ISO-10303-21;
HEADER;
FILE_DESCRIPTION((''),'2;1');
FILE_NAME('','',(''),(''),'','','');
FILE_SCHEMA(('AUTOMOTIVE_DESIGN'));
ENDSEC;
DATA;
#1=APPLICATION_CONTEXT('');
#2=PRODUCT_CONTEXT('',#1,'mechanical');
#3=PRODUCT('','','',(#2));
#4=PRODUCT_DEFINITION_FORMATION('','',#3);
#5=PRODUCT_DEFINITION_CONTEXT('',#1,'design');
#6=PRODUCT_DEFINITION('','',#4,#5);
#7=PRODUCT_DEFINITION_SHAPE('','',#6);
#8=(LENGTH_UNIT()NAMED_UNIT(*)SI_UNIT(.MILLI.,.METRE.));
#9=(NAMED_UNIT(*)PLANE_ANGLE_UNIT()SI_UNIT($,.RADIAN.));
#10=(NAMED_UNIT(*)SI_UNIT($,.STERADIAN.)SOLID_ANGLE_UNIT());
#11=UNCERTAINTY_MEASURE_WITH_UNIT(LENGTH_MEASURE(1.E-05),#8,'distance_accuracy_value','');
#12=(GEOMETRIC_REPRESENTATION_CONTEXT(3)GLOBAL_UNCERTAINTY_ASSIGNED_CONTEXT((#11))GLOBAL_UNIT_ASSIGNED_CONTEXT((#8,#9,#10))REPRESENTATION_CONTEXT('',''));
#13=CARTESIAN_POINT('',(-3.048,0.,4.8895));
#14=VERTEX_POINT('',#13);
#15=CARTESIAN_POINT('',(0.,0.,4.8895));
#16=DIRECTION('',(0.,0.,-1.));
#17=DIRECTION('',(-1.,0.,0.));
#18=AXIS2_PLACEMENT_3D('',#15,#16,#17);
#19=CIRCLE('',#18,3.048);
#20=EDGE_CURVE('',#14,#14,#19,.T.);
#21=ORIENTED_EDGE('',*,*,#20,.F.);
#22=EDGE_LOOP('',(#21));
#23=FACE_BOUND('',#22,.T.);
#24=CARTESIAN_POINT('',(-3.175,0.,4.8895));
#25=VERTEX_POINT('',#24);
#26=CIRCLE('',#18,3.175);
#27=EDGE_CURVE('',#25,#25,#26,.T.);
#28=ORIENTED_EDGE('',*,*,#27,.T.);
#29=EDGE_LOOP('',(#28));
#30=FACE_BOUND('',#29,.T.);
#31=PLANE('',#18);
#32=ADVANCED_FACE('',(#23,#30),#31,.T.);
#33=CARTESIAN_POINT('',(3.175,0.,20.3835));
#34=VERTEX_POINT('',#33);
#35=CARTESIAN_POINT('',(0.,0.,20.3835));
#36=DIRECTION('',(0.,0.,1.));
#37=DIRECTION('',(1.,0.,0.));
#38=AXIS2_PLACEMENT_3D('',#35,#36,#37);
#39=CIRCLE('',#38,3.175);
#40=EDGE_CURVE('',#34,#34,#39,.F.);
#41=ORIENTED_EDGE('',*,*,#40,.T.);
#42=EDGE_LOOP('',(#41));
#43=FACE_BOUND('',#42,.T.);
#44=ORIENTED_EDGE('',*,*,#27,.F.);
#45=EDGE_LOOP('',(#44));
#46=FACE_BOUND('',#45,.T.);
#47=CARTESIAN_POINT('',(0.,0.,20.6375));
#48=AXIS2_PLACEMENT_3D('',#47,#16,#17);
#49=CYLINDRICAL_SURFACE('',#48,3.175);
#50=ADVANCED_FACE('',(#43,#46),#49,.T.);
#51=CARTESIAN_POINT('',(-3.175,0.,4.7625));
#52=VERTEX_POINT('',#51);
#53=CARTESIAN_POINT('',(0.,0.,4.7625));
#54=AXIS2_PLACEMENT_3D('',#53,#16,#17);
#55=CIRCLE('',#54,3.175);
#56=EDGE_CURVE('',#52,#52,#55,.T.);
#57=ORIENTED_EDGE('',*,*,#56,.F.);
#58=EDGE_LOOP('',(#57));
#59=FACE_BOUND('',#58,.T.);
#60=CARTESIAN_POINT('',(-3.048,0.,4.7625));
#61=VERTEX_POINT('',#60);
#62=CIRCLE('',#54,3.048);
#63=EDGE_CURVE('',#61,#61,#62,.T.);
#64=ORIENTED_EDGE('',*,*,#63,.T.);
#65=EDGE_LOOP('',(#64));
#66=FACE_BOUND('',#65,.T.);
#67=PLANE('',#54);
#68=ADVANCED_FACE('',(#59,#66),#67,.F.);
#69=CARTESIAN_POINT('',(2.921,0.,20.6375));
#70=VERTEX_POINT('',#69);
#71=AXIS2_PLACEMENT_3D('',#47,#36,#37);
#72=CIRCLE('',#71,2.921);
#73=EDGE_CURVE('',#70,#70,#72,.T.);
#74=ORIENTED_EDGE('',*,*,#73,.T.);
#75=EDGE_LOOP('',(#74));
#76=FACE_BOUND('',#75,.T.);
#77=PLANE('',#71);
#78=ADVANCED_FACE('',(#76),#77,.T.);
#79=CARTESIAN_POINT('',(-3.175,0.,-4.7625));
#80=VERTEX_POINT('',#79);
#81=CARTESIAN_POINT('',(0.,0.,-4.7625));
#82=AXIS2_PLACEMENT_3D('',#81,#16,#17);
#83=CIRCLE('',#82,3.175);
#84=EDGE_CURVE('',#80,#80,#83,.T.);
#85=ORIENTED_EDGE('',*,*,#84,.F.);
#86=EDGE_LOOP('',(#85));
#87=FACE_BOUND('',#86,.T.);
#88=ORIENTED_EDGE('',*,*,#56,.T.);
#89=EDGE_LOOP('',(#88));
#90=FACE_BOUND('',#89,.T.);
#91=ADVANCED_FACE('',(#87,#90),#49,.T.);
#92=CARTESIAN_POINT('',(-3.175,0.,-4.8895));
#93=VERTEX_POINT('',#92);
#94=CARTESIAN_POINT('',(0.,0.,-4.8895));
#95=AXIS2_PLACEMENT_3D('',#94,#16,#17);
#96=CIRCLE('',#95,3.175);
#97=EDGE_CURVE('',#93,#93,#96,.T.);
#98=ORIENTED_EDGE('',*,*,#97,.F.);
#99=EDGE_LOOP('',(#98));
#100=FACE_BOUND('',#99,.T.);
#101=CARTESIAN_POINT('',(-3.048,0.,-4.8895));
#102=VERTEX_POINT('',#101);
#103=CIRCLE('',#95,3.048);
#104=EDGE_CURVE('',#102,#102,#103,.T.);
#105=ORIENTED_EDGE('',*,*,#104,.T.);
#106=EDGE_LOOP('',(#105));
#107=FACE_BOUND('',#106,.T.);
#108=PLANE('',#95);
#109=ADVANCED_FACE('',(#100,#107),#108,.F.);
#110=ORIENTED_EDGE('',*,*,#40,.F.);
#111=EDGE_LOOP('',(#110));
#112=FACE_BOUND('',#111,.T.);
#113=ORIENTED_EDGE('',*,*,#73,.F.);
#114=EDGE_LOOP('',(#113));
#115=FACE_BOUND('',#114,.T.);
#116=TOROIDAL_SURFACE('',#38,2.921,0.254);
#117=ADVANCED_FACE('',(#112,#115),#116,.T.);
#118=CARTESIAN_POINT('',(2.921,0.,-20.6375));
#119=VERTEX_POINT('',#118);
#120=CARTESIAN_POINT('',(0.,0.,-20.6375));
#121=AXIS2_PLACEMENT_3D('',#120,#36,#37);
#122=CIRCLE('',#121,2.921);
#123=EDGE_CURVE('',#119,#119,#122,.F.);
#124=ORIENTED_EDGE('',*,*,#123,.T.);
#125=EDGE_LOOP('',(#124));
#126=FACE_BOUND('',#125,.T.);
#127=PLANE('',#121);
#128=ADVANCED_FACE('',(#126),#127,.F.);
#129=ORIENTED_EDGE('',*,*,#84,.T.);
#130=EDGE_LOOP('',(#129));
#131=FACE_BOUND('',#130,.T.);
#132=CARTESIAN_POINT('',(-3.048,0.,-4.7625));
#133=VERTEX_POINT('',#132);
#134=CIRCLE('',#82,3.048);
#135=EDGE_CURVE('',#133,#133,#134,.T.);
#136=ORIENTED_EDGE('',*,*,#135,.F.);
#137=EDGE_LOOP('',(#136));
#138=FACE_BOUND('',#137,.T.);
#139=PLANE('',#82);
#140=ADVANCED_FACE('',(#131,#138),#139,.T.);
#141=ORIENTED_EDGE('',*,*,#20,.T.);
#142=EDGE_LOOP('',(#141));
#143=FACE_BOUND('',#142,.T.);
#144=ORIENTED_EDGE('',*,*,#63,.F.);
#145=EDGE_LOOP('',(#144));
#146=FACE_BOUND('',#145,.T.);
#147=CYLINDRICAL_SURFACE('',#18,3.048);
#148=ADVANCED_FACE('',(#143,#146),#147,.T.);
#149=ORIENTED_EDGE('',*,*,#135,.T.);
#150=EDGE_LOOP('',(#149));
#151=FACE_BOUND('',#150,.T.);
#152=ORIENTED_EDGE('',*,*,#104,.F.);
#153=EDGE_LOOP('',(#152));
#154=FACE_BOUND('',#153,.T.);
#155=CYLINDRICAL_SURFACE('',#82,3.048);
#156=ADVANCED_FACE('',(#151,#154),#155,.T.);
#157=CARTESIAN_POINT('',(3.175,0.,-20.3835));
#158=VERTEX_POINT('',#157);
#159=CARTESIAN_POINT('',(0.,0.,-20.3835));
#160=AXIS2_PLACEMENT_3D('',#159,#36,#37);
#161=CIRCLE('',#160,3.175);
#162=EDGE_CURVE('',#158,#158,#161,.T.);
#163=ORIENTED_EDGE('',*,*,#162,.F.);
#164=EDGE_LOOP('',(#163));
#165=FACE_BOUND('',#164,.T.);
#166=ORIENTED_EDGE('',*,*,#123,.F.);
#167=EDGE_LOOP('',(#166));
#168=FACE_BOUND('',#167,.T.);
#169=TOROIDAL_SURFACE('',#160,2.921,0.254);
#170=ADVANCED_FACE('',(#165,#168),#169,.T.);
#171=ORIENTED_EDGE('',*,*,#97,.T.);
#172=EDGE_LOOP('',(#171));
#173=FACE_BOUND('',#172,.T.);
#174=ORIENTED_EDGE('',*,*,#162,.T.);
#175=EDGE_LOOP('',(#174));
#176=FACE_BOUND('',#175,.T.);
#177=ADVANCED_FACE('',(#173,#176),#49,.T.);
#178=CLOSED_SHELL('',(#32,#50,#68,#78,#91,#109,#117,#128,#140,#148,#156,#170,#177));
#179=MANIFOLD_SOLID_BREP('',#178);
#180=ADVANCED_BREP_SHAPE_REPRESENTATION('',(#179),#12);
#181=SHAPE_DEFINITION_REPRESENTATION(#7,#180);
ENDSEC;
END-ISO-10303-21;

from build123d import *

# Parameters (mm, degrees)
SKETCH1_R           = 3.175
BOSS_EXTRUDE1_DEPTH = 20.6375
CUT_EXTRUDE1_START  = -0.127
SKETCH6_R           = 3.175
SKETCH6_R_2         = 3.048
CUT_EXTRUDE1_DEPTH  = 0.127
CUT_EXTRUDE2_START  = -0.127
SKETCH7_R           = 3.175
SKETCH7_R_2         = 3.048
CUT_EXTRUDE2_DEPTH  = 0.127
FILLET1_R           = 0.254


with BuildPart() as part:
    # Sketch1 → Boss-Extrude1 (new, symmetric)
    with BuildSketch(Plane.XY):
        Circle(SKETCH1_R)
    extrude(amount=BOSS_EXTRUDE1_DEPTH, both=True)

    # Sketch6 → Cut-Extrude1 (cut)
    with BuildSketch(Plane(origin=(0, 0, -4.8895), x_dir=(-1, 0, 0), z_dir=(0, 0, -1)).offset(CUT_EXTRUDE1_START)):
        Circle(SKETCH6_R)
        Circle(SKETCH6_R_2, mode=Mode.SUBTRACT)
    extrude(amount=CUT_EXTRUDE1_DEPTH, mode=Mode.SUBTRACT)

    # Sketch7 → Cut-Extrude2 (cut)
    with BuildSketch(Plane(origin=(0, 0, 4.7625), x_dir=(-1, 0, 0), z_dir=(0, 0, -1)).offset(CUT_EXTRUDE2_START)):
        Circle(SKETCH7_R)
        Circle(SKETCH7_R_2, mode=Mode.SUBTRACT)
    extrude(amount=CUT_EXTRUDE2_DEPTH, mode=Mode.SUBTRACT)

    # Fillet1
    fillet1_edges = [part.edges().sort_by_distance(p)[0] for p in [
        (-3.175, 0, -20.6375),
        (-3.175, 0, 20.6375),
    ]]
    fillet(fillet1_edges, radius=FILLET1_R)


solid = part.part
